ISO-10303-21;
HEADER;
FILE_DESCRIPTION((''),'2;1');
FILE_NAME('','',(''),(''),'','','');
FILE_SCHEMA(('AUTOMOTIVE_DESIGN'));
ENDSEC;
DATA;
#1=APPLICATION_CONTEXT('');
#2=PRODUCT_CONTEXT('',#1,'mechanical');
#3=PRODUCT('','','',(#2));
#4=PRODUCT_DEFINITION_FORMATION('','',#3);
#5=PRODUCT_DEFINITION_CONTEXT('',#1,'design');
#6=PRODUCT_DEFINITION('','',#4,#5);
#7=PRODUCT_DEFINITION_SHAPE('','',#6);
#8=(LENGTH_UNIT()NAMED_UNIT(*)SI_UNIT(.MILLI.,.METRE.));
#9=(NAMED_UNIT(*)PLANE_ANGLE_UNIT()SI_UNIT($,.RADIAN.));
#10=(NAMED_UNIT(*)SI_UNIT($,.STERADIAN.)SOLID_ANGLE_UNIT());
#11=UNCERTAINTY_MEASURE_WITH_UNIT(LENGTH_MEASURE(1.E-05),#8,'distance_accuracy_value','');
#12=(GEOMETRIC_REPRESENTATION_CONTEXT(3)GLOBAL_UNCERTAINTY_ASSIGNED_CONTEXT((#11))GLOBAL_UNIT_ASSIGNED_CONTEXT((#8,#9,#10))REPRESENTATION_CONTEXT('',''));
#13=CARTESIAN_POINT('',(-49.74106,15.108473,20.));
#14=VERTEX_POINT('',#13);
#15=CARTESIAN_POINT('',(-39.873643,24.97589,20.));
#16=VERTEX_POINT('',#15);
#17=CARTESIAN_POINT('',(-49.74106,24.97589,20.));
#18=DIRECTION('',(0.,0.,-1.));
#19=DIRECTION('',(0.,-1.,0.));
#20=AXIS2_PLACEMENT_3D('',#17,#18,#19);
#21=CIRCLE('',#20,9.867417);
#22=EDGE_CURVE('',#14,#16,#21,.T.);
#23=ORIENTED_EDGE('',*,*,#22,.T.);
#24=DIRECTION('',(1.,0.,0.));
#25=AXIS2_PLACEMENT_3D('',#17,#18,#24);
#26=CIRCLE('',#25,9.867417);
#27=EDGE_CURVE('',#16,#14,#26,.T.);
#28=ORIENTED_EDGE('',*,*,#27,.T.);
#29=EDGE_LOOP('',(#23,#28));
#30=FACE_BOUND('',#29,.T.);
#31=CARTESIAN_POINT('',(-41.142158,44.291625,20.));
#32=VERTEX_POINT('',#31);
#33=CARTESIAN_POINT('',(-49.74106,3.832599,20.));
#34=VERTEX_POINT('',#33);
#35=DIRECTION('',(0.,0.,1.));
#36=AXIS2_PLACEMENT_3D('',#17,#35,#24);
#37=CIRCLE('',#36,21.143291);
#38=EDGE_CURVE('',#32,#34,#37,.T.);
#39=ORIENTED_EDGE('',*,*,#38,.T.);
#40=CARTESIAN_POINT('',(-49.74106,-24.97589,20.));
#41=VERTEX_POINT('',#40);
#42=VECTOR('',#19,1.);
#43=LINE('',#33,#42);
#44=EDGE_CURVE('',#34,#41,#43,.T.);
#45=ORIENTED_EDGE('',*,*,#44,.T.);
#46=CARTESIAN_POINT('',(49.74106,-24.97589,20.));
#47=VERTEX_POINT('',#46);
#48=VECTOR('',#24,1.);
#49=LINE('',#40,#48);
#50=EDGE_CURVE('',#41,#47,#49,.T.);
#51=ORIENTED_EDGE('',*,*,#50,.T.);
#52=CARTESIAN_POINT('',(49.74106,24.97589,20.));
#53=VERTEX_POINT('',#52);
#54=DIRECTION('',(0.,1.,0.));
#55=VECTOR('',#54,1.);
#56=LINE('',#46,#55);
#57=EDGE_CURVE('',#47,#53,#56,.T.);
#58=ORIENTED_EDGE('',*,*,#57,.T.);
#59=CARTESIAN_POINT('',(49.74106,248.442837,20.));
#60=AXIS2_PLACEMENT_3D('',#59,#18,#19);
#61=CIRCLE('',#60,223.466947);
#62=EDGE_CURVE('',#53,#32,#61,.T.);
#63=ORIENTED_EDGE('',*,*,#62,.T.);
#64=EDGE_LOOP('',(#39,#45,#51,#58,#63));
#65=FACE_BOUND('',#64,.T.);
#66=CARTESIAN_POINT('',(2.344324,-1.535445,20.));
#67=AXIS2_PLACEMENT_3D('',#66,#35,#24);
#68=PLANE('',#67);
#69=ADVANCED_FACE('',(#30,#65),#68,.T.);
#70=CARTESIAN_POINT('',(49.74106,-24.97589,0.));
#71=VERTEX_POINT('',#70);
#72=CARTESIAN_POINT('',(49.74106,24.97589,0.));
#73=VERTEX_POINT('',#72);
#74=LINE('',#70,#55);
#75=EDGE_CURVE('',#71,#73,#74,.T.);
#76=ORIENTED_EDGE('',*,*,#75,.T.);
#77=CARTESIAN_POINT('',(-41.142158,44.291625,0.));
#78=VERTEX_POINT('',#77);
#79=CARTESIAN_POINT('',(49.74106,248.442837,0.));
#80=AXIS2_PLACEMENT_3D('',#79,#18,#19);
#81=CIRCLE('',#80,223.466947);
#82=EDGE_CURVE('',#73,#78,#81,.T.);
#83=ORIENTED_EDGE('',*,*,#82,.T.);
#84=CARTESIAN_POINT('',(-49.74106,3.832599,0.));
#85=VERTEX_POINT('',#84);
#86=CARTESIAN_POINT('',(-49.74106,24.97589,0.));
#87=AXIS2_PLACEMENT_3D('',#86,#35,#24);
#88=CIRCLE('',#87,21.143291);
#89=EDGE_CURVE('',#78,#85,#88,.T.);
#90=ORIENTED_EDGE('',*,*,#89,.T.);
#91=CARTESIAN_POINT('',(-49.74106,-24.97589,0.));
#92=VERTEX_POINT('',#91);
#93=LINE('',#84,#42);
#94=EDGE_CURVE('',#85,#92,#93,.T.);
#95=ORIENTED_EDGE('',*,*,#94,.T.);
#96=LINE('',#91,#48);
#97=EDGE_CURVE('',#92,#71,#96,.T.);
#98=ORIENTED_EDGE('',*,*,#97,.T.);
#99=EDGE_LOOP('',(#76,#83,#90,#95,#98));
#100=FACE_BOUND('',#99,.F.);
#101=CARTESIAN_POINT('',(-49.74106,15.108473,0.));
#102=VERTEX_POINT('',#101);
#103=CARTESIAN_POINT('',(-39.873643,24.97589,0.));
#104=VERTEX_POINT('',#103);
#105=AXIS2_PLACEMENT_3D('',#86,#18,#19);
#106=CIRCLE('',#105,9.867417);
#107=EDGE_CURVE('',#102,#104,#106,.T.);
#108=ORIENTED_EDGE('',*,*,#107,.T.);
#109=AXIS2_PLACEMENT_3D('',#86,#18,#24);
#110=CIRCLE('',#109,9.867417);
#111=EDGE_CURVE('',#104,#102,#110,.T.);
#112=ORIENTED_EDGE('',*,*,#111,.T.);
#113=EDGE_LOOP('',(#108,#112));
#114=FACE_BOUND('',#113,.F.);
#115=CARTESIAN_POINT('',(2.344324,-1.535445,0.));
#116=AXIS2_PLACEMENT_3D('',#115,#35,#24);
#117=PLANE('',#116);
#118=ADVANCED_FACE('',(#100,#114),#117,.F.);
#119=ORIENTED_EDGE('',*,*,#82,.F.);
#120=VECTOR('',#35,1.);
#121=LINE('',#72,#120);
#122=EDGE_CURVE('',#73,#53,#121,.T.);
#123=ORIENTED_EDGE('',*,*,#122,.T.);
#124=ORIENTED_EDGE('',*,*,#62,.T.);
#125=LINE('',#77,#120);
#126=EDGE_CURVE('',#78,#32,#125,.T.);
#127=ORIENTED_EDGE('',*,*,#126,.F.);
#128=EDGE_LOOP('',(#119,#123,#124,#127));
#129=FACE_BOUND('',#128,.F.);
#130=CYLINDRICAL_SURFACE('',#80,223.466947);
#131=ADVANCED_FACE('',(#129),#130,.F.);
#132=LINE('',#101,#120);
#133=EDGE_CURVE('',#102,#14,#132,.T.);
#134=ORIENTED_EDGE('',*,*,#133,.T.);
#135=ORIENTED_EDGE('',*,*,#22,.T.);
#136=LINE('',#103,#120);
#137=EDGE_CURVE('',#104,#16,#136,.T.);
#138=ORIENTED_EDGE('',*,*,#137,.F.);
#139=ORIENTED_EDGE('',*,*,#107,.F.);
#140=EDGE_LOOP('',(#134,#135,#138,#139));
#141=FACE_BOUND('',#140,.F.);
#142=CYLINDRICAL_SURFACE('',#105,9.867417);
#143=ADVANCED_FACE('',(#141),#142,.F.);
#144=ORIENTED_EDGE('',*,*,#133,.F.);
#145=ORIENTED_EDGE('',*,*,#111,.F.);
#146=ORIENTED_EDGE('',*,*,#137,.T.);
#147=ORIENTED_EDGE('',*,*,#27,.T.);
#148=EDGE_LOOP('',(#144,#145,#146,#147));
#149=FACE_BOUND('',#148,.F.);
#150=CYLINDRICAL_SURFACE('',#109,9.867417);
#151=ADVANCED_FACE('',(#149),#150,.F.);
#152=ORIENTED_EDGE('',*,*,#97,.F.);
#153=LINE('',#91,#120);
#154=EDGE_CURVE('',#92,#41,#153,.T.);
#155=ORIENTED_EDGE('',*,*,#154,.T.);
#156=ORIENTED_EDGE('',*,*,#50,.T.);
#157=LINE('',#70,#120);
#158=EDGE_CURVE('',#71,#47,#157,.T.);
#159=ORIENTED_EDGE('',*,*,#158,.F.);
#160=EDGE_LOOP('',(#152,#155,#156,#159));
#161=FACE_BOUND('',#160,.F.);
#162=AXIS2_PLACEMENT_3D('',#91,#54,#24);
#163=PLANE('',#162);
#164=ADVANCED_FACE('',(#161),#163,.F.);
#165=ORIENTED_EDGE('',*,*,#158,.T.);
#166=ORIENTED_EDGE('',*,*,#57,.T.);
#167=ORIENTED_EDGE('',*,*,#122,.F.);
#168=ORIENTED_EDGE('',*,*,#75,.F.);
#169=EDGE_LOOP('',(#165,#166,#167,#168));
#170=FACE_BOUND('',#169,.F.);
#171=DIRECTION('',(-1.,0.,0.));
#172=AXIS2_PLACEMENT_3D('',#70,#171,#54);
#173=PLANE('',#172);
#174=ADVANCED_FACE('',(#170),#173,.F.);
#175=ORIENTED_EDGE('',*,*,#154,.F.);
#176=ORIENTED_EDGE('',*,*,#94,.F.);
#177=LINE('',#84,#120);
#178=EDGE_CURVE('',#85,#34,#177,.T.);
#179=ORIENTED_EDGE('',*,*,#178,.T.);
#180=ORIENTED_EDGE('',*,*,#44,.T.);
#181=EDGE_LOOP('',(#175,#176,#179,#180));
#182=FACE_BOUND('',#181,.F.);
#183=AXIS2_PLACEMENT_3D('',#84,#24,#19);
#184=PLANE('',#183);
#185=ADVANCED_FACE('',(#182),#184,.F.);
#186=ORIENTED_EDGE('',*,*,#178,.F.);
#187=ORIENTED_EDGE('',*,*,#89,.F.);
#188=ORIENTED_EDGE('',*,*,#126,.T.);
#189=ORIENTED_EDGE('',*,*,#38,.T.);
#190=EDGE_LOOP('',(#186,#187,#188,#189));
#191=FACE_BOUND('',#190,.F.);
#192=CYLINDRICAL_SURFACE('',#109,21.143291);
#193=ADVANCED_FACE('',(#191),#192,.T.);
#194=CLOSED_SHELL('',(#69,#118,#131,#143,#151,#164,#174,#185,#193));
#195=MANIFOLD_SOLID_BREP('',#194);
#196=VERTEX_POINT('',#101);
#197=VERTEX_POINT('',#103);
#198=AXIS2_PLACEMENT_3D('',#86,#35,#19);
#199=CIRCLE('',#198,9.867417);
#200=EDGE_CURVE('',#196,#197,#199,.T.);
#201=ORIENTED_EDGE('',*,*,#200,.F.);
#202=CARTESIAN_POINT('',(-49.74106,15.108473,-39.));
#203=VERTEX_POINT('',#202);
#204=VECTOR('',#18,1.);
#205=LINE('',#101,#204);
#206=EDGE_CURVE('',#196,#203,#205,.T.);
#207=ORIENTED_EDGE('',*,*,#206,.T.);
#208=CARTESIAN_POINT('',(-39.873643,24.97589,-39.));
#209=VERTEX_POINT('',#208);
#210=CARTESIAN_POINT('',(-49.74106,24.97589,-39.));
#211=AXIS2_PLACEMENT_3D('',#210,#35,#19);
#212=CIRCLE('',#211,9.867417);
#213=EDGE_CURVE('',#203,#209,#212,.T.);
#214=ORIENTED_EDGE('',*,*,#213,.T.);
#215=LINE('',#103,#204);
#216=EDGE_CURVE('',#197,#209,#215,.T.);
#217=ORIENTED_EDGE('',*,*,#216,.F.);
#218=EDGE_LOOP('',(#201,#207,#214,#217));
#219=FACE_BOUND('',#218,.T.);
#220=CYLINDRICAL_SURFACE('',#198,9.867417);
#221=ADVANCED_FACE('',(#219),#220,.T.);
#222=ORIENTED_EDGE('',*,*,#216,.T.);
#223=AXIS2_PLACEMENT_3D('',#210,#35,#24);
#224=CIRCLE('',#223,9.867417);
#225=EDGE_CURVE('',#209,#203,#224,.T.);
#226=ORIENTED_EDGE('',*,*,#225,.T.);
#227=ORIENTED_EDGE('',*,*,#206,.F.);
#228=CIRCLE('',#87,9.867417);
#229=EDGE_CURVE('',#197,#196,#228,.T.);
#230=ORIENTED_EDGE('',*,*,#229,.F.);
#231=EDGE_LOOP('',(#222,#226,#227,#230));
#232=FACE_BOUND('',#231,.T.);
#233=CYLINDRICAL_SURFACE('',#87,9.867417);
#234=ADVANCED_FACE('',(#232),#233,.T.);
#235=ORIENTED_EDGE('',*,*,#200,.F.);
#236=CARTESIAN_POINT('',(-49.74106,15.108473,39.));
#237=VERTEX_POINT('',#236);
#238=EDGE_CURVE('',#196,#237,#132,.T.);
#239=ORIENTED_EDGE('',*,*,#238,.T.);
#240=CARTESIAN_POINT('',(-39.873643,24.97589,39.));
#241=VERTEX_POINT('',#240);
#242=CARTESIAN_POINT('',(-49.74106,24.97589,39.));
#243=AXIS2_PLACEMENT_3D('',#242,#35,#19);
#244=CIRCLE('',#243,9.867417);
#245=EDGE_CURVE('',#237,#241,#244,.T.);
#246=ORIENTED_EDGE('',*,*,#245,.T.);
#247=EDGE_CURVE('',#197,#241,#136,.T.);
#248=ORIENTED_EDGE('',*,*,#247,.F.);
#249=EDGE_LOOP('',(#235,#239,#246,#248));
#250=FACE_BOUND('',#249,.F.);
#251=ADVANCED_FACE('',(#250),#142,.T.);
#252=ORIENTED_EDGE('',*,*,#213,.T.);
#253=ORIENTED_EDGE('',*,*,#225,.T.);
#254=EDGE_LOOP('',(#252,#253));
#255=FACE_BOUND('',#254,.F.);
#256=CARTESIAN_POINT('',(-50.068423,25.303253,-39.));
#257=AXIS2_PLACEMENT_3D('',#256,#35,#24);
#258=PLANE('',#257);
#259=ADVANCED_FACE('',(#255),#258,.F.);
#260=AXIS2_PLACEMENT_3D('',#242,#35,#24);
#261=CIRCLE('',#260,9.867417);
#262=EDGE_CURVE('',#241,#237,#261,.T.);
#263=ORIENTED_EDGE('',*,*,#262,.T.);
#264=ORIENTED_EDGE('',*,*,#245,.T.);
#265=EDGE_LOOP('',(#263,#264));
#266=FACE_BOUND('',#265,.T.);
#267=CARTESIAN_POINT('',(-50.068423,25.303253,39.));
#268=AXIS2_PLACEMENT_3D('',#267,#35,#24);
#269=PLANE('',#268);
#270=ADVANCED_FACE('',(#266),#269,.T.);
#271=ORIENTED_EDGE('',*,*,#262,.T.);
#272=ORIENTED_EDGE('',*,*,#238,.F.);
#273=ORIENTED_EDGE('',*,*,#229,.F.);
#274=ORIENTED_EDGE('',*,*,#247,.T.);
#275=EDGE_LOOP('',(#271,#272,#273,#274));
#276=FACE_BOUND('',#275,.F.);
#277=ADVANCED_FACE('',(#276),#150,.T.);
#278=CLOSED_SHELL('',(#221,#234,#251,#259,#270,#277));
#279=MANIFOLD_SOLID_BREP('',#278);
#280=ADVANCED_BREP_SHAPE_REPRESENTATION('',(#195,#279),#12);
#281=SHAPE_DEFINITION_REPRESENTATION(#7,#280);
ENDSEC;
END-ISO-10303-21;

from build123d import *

# Parameters (mm, degrees)
F1_DEPTH = 20
F2_DEPTH = 39


with BuildPart() as f1:
    # F0 (on Top) → F1 (new body)
    with BuildSketch(Plane.XY):
        with BuildLine():
            Line((-49.7410596715, -24.9758898613), (49.7410596715, -24.9758898613))
            Line((49.7410596715, -24.9758898613), (49.7410596715, 24.9758898613))
            Line((49.7410596715, 24.9758898613), (-28.5977688418, 24.9758898613))
            ThreePointArc((-28.5977688418, 24.9758898613), (-34.7904953492, 10.025325539), (-49.7410596715, 3.8325990316))
            Line((-49.7410596715, 3.8325990316), (-49.7410596715, -24.9758898613))
        make_face()
        with BuildLine():
            Line((-28.5977688418, 24.9758898613), (49.7410596715, 24.9758898613))
            ThreePointArc((49.7410596715, 24.9758898613), (3.284475381, 29.8581572014), (-41.1421580215, 44.2916253515))
            ThreePointArc((-41.1421580215, 44.2916253515), (-32.0090571688, 36.4917412999), (-28.5977688418, 24.9758898613))
        make_face()
        with BuildLine():
            ThreePointArc((-41.1421580215, 44.2916253515), (-70.4224155286, 29.3713724318), (-49.7410596715, 3.8325990316))
            Line((-49.7410596715, 3.8325990316), (-49.7410596715, 15.1084726947))
            ThreePointArc((-49.7410596715, 15.1084726947), (-56.7183772629, 31.9532074527), (-39.8736425049, 24.9758898613))
            Line((-39.8736425049, 24.9758898613), (-28.5977688418, 24.9758898613))
            ThreePointArc((-28.5977688418, 24.9758898613), (-32.0090571688, 36.4917412999), (-41.1421580215, 44.2916253515))
        make_face()
        with BuildLine():
            Line((-49.7410596715, 15.1084726947), (-49.7410596715, 3.8325990316))
            ThreePointArc((-49.7410596715, 3.8325990316), (-34.7904953492, 10.025325539), (-28.5977688418, 24.9758898613))
            Line((-28.5977688418, 24.9758898613), (-39.8736425049, 24.9758898613))
            ThreePointArc((-39.8736425049, 24.9758898613), (-42.7637420802, 17.99857227), (-49.7410596715, 15.1084726947))
        make_face()
    extrude(amount=F1_DEPTH)


with BuildPart() as f2:
    # F0 (on Top) → F2 (new body, symmetric)
    with BuildSketch(Plane.XY):
        with BuildLine():
            ThreePointArc((-39.8736425049, 24.9758898613), (-56.7183772629, 31.9532074527), (-49.7410596715, 15.1084726947))
            Line((-49.7410596715, 15.1084726947), (-49.7410596715, 24.9758898613))
            Line((-49.7410596715, 24.9758898613), (-39.8736425049, 24.9758898613))
        make_face()
        with BuildLine():
            Line((-49.7410596715, 24.9758898613), (-49.7410596715, 15.1084726947))
            ThreePointArc((-49.7410596715, 15.1084726947), (-42.7637420802, 17.99857227), (-39.8736425049, 24.9758898613))
            Line((-39.8736425049, 24.9758898613), (-49.7410596715, 24.9758898613))
        make_face()
    extrude(amount=F2_DEPTH, both=True)


solid = Compound([f1.part, f2.part])
